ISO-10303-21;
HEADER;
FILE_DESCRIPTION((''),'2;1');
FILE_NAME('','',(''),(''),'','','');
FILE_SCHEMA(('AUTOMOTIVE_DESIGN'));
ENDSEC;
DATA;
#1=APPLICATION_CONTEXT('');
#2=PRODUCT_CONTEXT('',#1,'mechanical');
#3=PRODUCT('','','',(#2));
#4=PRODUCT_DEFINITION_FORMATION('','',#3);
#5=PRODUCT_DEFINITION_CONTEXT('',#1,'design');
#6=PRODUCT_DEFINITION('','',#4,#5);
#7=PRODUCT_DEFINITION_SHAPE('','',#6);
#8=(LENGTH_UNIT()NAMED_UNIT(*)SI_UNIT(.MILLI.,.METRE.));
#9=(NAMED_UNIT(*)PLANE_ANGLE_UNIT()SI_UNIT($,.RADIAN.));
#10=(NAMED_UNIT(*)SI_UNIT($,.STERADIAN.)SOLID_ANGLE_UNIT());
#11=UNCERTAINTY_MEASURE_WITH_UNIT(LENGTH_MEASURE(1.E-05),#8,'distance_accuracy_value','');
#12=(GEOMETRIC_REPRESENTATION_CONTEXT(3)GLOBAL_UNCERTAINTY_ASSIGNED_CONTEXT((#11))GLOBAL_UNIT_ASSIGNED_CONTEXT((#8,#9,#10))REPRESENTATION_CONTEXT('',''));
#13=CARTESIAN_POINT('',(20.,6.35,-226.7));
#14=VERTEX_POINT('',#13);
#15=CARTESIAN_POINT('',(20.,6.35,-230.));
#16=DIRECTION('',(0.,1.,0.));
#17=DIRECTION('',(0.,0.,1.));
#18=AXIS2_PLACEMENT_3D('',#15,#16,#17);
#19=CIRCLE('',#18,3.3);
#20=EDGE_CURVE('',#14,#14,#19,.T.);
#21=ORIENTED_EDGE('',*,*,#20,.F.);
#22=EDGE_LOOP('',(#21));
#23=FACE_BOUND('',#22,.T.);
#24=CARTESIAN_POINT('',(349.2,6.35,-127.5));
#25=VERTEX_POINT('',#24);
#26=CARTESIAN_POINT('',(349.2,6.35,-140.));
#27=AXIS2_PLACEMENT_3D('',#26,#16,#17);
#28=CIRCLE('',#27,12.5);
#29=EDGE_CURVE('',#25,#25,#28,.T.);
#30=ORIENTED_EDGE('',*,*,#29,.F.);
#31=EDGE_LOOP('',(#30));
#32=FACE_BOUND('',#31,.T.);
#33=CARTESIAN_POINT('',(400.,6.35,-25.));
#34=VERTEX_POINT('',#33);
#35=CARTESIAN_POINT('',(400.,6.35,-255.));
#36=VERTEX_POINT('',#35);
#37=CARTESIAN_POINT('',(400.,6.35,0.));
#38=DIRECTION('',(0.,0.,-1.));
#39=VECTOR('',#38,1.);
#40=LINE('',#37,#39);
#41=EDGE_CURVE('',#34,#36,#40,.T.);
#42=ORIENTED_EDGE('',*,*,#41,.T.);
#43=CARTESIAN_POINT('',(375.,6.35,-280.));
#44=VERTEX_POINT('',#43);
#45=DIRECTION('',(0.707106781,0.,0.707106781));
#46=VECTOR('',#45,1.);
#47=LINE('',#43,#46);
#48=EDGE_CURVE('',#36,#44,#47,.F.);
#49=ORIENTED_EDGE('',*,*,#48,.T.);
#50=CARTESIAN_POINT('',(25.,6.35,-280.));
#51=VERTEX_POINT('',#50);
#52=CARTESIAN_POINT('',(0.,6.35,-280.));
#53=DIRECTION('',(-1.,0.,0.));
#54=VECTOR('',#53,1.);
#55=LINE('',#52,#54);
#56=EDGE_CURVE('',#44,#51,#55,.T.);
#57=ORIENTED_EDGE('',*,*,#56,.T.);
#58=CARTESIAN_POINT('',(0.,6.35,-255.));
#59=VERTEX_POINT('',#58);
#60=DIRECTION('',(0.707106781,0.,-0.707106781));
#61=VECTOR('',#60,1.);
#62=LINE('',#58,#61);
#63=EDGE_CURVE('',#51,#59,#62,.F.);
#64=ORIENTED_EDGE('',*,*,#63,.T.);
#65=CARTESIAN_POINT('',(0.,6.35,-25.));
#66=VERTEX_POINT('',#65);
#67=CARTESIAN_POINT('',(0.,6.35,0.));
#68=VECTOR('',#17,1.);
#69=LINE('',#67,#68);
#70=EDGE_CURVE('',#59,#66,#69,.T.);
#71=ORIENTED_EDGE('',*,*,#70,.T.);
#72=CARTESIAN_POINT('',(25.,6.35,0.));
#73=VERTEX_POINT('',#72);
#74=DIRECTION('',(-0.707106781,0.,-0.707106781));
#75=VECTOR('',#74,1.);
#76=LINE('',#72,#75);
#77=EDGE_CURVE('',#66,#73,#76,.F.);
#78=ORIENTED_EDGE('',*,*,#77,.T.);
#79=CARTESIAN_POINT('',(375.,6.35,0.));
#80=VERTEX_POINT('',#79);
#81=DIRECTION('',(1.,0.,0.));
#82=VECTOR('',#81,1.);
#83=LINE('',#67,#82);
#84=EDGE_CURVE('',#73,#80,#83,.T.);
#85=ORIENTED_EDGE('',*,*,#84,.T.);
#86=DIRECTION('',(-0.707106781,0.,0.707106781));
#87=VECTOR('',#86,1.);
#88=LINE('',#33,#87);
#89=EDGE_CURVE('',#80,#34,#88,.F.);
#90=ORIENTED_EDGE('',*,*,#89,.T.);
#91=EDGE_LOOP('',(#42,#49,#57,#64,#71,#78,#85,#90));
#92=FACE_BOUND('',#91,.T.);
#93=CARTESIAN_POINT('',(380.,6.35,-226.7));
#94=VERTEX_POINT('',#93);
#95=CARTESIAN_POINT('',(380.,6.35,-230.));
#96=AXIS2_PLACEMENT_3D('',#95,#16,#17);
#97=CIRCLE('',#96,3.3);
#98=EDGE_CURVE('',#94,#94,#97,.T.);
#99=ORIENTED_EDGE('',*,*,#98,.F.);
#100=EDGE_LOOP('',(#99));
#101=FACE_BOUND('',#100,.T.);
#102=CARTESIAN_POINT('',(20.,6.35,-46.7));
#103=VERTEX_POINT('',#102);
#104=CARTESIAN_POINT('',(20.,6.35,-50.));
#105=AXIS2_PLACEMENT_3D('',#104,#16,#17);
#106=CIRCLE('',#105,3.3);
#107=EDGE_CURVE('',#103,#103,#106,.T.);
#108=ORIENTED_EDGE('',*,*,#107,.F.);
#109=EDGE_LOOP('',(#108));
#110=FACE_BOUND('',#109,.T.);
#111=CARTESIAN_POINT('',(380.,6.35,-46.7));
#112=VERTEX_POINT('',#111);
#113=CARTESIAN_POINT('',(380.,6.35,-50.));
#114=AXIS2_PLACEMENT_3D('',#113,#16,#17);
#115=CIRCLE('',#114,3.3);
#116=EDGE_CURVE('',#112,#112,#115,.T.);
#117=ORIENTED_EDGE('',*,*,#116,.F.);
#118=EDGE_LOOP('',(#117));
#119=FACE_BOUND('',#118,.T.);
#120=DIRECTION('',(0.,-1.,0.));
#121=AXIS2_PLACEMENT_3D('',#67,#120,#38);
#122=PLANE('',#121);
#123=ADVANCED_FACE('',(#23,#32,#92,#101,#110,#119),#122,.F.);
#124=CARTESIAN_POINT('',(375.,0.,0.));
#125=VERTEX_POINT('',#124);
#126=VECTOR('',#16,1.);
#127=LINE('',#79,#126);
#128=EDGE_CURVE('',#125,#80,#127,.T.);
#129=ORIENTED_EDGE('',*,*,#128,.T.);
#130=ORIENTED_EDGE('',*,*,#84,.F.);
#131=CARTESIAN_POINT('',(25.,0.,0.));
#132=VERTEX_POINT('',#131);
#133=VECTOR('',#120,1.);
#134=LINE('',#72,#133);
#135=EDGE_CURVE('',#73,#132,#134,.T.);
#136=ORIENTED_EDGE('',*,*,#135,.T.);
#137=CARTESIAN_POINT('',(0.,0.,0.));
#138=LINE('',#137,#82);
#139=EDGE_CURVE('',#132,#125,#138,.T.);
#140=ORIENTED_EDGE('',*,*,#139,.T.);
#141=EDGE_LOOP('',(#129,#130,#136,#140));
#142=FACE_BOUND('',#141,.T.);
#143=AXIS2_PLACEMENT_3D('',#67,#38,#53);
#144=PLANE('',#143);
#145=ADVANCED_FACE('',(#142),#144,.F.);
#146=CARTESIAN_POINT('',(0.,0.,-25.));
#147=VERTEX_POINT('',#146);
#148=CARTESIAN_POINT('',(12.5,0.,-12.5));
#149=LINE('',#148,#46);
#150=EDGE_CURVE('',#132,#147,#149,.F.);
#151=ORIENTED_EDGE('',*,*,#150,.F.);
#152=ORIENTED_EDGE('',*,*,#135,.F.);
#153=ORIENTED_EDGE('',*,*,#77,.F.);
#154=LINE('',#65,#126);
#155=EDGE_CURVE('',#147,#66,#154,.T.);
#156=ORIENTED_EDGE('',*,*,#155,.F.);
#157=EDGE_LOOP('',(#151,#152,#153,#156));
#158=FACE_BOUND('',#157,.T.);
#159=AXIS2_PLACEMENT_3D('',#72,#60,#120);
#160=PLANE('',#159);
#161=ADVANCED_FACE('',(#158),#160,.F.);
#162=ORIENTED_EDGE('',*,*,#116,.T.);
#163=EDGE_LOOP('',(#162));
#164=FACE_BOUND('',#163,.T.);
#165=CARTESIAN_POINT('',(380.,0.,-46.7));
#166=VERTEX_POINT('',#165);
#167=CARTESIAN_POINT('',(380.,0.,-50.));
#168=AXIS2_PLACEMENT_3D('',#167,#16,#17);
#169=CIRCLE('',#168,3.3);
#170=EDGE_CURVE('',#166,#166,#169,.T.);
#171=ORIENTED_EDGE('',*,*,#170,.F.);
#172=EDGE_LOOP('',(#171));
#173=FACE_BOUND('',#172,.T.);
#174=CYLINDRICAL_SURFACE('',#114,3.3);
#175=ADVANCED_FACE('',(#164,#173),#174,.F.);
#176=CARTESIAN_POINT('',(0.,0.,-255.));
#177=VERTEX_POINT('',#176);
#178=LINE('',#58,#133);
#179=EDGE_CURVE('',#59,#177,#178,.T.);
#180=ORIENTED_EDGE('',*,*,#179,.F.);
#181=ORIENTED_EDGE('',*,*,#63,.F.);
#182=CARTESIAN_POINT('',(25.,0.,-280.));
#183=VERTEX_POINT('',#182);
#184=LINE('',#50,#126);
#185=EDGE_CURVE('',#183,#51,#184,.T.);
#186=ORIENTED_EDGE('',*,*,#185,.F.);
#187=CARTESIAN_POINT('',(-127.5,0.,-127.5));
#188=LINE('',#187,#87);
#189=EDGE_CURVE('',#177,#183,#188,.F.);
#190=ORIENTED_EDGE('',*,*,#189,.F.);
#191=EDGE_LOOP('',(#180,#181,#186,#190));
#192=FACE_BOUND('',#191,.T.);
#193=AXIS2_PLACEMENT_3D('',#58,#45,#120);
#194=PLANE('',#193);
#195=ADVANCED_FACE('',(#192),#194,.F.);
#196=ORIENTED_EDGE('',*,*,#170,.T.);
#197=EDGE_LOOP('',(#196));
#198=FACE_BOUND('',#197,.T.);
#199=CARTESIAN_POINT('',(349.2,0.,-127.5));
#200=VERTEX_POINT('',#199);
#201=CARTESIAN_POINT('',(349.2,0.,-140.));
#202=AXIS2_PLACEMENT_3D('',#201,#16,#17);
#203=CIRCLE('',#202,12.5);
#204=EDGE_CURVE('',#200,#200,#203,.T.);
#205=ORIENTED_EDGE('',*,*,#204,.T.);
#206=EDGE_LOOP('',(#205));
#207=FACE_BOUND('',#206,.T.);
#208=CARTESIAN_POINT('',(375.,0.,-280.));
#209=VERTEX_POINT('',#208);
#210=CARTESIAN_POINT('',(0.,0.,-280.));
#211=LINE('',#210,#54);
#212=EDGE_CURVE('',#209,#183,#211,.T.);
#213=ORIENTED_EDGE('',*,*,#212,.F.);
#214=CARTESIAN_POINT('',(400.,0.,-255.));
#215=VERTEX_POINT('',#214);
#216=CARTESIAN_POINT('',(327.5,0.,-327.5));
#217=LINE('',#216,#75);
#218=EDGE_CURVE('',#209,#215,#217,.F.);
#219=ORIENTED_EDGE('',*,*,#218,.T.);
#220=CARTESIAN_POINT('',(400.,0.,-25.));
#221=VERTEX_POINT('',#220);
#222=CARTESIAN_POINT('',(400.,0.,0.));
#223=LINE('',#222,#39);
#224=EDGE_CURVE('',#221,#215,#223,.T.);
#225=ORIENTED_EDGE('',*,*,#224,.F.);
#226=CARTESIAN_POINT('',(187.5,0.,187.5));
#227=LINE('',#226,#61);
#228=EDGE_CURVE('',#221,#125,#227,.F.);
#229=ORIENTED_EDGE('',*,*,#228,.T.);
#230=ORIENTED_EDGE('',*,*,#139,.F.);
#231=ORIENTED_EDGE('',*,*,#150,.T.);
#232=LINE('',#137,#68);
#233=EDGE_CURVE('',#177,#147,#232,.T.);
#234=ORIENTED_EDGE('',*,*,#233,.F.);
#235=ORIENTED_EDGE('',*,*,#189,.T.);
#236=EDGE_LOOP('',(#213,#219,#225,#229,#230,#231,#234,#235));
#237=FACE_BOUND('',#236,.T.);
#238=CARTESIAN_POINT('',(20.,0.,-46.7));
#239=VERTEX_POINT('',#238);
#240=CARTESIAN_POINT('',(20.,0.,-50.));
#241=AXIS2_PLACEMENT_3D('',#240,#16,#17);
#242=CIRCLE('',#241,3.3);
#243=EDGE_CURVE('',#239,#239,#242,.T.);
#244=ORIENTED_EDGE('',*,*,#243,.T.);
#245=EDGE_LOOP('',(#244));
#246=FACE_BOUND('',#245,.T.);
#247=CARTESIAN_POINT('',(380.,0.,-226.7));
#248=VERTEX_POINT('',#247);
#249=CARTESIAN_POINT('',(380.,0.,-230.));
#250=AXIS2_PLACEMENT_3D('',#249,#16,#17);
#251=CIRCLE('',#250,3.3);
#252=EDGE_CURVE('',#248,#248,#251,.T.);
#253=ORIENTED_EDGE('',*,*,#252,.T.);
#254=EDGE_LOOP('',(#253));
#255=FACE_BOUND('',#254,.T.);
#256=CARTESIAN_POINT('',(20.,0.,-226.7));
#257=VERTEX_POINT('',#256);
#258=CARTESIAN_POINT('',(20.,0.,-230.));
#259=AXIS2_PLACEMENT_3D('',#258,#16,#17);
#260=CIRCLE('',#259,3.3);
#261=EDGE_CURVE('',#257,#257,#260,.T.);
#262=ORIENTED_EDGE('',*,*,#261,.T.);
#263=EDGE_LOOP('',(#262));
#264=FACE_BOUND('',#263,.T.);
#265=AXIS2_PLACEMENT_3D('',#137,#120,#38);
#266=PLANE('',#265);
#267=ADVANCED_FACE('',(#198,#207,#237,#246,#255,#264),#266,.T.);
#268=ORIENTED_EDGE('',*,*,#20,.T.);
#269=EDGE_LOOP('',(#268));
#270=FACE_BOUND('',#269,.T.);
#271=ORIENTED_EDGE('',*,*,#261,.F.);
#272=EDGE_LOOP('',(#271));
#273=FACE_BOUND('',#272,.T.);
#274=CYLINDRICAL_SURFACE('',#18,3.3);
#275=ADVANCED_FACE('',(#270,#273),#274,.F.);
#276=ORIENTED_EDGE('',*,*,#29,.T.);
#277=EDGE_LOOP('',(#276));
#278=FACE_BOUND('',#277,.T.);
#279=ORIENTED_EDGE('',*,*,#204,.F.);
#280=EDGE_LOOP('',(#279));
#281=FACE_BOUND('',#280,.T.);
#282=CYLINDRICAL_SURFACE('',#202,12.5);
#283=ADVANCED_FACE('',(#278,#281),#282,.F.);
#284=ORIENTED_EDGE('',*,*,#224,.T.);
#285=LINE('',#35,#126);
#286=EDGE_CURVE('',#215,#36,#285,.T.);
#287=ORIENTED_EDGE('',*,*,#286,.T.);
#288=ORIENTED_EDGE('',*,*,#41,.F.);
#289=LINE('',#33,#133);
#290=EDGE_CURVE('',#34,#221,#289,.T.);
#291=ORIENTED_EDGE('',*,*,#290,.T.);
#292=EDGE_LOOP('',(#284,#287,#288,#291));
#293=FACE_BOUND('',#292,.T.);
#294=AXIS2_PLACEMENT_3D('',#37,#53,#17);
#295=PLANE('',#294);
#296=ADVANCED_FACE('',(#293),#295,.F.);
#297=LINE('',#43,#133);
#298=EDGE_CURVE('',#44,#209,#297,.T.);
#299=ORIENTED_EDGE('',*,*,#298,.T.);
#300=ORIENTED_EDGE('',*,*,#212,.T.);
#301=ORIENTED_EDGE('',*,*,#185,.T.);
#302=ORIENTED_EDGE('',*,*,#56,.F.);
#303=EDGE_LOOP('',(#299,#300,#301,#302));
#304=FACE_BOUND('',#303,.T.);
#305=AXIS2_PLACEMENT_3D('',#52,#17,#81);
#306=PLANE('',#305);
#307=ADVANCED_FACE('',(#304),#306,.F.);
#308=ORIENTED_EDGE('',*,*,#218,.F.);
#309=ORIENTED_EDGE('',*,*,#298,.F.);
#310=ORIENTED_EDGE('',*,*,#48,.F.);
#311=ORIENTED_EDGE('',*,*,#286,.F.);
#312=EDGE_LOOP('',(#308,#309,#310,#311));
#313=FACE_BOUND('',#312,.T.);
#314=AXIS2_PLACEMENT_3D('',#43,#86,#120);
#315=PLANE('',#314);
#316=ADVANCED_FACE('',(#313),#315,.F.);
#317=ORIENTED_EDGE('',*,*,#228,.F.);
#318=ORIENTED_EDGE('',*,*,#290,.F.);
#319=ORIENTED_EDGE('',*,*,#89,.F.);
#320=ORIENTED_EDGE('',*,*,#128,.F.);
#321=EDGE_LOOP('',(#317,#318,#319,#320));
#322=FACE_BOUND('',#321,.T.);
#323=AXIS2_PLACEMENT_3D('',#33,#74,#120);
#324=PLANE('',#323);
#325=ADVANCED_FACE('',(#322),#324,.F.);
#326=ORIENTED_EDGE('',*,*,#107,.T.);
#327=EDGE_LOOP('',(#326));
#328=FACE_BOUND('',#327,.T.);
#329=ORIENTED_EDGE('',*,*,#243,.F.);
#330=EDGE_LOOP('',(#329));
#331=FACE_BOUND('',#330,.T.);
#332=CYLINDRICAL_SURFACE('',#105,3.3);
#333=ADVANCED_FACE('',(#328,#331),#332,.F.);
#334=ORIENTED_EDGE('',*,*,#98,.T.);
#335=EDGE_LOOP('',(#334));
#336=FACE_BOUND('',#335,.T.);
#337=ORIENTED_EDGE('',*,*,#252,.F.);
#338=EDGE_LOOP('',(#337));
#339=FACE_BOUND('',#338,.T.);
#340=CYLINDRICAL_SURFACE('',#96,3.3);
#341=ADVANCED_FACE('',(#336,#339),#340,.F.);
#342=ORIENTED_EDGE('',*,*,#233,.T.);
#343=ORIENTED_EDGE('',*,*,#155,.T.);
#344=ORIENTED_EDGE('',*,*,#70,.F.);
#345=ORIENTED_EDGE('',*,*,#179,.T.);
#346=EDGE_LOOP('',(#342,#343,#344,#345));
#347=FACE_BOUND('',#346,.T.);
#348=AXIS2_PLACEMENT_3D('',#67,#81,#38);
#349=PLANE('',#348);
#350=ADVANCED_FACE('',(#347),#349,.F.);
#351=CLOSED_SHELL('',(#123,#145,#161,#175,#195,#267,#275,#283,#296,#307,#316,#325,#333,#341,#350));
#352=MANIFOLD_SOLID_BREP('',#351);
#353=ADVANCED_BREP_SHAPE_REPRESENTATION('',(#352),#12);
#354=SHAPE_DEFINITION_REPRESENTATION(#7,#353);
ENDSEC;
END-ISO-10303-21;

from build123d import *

# Parameters (mm, degrees)
SKETCH1_W            = 400
SKETCH1_H            = 280
BOSS_EXTRUDE1_DEPTH  = 6.35
CHAMFER1_SIZE        = 25
SKETCH2_R            = 12.5
CUT_EXTRUDE1_DEPTH   = 489.303514732
M6_CLEARANCE_HOLE1_D = 6.6


with BuildPart() as part:
    # Sketch1 → Boss-Extrude1 (new body)
    with BuildSketch(Plane(origin=(0, 0, 0), x_dir=(1, 0, 0), z_dir=(0, 1, 0))):
        with Locations((200, 140)):
            Rectangle(SKETCH1_W, SKETCH1_H)
    extrude(amount=BOSS_EXTRUDE1_DEPTH)

    # Chamfer1
    chamfer1_edges = [part.edges().sort_by_distance(p)[0] for p in [
        (0, 3.175, -280),
        (400, 3.175, -280),
        (400, 3.175, 0),
        (0, 3.175, 0),
    ]]
    chamfer(chamfer1_edges, length=CHAMFER1_SIZE)

    # Sketch2 → Cut-Extrude1 (cut, through all)
    with BuildSketch(Plane(origin=(0, 6.35, 0), x_dir=(1, 0, 0), z_dir=(0, 1, 0))):
        with Locations(Location((349.2, 140, 0), (0, 0, 270))):
            Circle(SKETCH2_R)
    extrude(amount=-CUT_EXTRUDE1_DEPTH, mode=Mode.SUBTRACT)

    # M6 Clearance Hole1 (through all)
    with Locations(Plane(origin=(0, 6.35, 0), x_dir=(1, 0, 0), z_dir=(0, 1, 0))):
        with Locations((380, 230), (380, 50), (20, 50), (20, 230)):
            Hole(M6_CLEARANCE_HOLE1_D / 2)


solid = part.part
